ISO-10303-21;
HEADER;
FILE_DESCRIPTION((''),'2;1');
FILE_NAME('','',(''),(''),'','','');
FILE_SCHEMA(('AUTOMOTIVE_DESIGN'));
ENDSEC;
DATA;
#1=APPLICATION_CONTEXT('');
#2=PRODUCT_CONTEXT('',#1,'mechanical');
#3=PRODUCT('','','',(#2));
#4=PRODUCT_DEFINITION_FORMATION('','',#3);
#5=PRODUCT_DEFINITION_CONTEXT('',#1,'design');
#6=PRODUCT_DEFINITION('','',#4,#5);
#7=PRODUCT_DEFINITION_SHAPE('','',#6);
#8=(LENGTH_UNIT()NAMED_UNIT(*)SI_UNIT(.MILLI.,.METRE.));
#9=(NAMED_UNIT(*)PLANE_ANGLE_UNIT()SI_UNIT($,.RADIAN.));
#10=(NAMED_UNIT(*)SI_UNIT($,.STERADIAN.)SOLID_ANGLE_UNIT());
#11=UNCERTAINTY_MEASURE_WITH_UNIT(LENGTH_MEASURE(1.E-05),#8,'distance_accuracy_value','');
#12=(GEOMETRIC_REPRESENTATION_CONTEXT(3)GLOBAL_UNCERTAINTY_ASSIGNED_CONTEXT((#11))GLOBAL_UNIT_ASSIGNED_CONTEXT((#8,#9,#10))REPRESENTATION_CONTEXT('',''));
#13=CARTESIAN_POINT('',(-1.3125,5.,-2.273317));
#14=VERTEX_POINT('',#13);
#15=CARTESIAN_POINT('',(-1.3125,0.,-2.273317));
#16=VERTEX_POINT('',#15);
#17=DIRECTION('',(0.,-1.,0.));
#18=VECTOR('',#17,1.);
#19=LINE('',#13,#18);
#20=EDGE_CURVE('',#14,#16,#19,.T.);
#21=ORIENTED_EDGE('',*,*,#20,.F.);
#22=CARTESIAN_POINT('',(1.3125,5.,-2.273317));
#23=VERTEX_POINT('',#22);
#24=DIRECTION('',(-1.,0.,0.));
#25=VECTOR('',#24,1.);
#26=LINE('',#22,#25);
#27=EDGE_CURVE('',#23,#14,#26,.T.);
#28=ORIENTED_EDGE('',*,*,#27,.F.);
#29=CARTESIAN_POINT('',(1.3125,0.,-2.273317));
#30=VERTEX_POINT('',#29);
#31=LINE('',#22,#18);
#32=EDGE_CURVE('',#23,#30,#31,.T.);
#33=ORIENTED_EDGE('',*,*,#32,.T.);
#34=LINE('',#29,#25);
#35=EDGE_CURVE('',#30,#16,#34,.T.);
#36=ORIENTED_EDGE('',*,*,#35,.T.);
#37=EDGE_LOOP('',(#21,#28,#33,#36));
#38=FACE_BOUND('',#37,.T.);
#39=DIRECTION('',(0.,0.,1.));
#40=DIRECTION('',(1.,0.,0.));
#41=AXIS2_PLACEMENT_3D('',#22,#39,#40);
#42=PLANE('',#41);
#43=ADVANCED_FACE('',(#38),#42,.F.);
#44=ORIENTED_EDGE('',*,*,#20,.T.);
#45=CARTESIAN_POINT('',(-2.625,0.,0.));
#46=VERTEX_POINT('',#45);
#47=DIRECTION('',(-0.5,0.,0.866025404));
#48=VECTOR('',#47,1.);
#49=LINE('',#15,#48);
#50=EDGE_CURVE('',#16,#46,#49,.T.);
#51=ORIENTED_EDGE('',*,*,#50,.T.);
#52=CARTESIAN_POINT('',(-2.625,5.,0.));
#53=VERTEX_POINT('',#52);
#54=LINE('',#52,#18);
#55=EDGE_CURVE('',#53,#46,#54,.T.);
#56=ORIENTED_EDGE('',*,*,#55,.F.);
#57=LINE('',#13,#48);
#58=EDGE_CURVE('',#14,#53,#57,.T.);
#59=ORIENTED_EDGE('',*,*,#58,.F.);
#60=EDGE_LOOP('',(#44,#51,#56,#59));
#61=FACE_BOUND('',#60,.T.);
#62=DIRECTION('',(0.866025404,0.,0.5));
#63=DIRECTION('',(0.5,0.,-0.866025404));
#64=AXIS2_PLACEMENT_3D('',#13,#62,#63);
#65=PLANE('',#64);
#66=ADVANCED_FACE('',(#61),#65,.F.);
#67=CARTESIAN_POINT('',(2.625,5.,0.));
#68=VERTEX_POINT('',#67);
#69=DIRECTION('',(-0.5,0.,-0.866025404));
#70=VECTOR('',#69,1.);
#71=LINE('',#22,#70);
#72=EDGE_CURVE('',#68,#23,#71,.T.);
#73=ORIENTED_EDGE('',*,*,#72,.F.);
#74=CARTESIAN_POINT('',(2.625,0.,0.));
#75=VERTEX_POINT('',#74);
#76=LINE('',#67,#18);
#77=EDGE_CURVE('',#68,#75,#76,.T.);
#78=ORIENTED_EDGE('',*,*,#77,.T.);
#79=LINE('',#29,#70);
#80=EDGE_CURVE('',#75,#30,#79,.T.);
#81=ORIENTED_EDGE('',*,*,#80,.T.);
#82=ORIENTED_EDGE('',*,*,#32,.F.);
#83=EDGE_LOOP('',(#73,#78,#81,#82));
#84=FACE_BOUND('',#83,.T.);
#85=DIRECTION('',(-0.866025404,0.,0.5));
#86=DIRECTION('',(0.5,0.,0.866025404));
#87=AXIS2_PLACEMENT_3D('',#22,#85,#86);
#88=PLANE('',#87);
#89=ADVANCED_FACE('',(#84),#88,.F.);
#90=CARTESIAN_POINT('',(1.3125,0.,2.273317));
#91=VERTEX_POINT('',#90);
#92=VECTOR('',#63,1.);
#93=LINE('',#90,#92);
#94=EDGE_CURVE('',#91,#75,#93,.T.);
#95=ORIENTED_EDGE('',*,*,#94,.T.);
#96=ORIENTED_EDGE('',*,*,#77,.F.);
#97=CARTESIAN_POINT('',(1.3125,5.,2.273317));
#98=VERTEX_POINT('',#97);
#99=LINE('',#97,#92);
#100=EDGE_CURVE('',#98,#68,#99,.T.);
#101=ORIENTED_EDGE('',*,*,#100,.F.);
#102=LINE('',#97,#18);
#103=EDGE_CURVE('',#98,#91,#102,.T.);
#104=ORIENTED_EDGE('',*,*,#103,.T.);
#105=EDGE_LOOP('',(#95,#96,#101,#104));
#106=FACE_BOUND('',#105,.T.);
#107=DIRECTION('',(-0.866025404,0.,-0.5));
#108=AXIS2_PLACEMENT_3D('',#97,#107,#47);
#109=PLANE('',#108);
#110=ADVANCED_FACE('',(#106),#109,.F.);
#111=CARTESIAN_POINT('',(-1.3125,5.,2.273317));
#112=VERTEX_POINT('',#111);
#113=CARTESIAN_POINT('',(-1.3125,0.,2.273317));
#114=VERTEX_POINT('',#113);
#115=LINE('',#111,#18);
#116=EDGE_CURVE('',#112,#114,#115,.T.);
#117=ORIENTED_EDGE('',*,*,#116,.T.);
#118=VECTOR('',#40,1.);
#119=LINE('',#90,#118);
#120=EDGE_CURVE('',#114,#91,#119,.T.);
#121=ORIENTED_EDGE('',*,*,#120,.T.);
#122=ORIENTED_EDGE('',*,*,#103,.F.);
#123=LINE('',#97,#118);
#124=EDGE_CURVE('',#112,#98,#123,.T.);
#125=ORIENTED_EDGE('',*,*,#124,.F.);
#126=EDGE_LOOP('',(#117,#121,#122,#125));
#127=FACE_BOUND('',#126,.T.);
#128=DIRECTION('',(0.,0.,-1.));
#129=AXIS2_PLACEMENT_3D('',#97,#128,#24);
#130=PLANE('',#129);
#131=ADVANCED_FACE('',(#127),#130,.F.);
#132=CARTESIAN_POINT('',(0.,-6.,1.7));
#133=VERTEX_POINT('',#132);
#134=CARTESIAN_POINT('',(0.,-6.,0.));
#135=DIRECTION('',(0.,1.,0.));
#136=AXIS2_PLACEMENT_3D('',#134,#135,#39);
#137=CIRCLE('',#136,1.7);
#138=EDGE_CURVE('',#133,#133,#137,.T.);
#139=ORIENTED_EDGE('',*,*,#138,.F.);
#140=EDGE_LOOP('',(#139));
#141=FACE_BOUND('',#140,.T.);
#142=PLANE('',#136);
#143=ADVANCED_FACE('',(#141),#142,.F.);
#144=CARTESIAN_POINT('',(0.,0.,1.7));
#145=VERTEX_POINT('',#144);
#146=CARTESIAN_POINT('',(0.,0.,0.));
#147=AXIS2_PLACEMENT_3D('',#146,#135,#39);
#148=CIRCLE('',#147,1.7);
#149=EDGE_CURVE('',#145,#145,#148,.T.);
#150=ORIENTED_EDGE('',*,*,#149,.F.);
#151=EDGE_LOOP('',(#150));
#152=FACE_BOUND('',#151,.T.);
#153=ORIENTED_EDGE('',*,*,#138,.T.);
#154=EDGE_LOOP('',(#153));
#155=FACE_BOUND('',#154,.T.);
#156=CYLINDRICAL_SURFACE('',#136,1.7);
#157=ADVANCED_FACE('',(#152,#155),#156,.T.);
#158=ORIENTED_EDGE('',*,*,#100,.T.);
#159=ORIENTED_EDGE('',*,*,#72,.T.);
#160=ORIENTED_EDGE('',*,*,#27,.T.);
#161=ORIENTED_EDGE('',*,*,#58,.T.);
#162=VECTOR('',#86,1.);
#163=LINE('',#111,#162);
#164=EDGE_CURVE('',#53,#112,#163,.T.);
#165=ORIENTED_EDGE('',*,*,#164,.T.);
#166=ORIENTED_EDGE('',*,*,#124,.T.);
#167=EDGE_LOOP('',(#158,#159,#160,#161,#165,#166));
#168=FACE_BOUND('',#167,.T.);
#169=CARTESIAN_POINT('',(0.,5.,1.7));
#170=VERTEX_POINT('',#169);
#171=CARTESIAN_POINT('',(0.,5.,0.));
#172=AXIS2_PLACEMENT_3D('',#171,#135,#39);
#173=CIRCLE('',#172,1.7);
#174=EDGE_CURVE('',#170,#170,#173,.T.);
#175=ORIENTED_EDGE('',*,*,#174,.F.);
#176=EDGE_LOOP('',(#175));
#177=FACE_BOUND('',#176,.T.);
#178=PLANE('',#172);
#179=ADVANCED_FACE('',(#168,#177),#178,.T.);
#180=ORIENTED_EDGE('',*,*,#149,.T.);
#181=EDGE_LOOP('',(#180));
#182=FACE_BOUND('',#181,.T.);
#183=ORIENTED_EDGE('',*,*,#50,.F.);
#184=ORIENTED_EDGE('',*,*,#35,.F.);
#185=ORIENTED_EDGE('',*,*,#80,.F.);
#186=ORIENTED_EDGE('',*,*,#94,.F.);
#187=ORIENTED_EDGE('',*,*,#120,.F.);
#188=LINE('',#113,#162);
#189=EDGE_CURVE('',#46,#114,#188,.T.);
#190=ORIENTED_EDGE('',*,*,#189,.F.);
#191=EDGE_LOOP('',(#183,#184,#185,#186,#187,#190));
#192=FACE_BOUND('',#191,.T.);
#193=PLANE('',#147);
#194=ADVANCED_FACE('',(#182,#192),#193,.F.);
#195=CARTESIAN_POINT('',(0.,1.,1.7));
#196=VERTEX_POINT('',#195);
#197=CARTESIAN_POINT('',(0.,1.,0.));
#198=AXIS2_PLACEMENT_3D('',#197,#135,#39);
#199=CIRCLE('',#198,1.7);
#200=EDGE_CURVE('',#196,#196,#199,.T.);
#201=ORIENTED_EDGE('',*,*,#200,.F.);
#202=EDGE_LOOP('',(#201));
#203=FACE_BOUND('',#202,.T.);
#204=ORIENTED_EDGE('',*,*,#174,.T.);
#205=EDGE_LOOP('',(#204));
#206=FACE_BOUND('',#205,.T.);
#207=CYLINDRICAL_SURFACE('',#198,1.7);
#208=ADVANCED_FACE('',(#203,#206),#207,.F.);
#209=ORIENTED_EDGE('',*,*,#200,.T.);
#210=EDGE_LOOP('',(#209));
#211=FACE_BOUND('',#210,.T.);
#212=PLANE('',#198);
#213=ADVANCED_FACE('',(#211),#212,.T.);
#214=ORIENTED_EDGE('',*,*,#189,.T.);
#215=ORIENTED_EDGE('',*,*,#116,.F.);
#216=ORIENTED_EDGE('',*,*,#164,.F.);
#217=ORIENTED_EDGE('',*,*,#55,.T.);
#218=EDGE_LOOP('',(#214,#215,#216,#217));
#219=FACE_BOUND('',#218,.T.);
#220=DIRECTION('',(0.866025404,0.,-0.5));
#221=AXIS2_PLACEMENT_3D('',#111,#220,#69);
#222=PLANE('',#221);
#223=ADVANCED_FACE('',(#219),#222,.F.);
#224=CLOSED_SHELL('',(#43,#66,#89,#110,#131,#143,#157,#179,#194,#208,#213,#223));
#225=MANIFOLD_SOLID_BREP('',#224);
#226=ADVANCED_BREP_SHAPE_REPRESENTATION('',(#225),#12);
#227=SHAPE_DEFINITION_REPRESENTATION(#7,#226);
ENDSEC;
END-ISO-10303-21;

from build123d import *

# Parameters (mm, degrees)
EXTRUDE_1_DEPTH     = 5
SKETCH_2_R          = 1.7
EXTRUDE_2_DEPTH     = 6
SKETCH_3_R          = 1.7
CUT_EXTRUDE_1_DEPTH = 4


with BuildPart() as part:
    # 草图1 → 凸台-拉伸1 (new body)
    with BuildSketch(Plane(origin=(0, 0, 0), x_dir=(1, 0, 0), z_dir=(0, 1, 0))):
        Polygon((1.3125, -2.273316685), (2.625, 0), (1.3125, 2.273316685), (-1.3125, 2.273316685), (-2.625, 0), (-1.3125, -2.273316685), align=None)
    extrude(amount=EXTRUDE_1_DEPTH)

    # 草图2 → 凸台-拉伸2 (add)
    with BuildSketch(Plane(origin=(0, 0, 0), x_dir=(1, 0, 0), z_dir=(0, 1, 0))):
        with Locations(Location((0, 0, 0), (0, 0, 270))):
            Circle(SKETCH_2_R)
    extrude(amount=-EXTRUDE_2_DEPTH)

    # 草图3 → 切除-拉伸1 (cut)
    with BuildSketch(Plane(origin=(0, 5, 0), x_dir=(1, 0, 0), z_dir=(0, 1, 0))):
        with Locations(Location((0, 0, 0), (0, 0, 270))):
            Circle(SKETCH_3_R)
    extrude(amount=-CUT_EXTRUDE_1_DEPTH, mode=Mode.SUBTRACT)


solid = part.part
